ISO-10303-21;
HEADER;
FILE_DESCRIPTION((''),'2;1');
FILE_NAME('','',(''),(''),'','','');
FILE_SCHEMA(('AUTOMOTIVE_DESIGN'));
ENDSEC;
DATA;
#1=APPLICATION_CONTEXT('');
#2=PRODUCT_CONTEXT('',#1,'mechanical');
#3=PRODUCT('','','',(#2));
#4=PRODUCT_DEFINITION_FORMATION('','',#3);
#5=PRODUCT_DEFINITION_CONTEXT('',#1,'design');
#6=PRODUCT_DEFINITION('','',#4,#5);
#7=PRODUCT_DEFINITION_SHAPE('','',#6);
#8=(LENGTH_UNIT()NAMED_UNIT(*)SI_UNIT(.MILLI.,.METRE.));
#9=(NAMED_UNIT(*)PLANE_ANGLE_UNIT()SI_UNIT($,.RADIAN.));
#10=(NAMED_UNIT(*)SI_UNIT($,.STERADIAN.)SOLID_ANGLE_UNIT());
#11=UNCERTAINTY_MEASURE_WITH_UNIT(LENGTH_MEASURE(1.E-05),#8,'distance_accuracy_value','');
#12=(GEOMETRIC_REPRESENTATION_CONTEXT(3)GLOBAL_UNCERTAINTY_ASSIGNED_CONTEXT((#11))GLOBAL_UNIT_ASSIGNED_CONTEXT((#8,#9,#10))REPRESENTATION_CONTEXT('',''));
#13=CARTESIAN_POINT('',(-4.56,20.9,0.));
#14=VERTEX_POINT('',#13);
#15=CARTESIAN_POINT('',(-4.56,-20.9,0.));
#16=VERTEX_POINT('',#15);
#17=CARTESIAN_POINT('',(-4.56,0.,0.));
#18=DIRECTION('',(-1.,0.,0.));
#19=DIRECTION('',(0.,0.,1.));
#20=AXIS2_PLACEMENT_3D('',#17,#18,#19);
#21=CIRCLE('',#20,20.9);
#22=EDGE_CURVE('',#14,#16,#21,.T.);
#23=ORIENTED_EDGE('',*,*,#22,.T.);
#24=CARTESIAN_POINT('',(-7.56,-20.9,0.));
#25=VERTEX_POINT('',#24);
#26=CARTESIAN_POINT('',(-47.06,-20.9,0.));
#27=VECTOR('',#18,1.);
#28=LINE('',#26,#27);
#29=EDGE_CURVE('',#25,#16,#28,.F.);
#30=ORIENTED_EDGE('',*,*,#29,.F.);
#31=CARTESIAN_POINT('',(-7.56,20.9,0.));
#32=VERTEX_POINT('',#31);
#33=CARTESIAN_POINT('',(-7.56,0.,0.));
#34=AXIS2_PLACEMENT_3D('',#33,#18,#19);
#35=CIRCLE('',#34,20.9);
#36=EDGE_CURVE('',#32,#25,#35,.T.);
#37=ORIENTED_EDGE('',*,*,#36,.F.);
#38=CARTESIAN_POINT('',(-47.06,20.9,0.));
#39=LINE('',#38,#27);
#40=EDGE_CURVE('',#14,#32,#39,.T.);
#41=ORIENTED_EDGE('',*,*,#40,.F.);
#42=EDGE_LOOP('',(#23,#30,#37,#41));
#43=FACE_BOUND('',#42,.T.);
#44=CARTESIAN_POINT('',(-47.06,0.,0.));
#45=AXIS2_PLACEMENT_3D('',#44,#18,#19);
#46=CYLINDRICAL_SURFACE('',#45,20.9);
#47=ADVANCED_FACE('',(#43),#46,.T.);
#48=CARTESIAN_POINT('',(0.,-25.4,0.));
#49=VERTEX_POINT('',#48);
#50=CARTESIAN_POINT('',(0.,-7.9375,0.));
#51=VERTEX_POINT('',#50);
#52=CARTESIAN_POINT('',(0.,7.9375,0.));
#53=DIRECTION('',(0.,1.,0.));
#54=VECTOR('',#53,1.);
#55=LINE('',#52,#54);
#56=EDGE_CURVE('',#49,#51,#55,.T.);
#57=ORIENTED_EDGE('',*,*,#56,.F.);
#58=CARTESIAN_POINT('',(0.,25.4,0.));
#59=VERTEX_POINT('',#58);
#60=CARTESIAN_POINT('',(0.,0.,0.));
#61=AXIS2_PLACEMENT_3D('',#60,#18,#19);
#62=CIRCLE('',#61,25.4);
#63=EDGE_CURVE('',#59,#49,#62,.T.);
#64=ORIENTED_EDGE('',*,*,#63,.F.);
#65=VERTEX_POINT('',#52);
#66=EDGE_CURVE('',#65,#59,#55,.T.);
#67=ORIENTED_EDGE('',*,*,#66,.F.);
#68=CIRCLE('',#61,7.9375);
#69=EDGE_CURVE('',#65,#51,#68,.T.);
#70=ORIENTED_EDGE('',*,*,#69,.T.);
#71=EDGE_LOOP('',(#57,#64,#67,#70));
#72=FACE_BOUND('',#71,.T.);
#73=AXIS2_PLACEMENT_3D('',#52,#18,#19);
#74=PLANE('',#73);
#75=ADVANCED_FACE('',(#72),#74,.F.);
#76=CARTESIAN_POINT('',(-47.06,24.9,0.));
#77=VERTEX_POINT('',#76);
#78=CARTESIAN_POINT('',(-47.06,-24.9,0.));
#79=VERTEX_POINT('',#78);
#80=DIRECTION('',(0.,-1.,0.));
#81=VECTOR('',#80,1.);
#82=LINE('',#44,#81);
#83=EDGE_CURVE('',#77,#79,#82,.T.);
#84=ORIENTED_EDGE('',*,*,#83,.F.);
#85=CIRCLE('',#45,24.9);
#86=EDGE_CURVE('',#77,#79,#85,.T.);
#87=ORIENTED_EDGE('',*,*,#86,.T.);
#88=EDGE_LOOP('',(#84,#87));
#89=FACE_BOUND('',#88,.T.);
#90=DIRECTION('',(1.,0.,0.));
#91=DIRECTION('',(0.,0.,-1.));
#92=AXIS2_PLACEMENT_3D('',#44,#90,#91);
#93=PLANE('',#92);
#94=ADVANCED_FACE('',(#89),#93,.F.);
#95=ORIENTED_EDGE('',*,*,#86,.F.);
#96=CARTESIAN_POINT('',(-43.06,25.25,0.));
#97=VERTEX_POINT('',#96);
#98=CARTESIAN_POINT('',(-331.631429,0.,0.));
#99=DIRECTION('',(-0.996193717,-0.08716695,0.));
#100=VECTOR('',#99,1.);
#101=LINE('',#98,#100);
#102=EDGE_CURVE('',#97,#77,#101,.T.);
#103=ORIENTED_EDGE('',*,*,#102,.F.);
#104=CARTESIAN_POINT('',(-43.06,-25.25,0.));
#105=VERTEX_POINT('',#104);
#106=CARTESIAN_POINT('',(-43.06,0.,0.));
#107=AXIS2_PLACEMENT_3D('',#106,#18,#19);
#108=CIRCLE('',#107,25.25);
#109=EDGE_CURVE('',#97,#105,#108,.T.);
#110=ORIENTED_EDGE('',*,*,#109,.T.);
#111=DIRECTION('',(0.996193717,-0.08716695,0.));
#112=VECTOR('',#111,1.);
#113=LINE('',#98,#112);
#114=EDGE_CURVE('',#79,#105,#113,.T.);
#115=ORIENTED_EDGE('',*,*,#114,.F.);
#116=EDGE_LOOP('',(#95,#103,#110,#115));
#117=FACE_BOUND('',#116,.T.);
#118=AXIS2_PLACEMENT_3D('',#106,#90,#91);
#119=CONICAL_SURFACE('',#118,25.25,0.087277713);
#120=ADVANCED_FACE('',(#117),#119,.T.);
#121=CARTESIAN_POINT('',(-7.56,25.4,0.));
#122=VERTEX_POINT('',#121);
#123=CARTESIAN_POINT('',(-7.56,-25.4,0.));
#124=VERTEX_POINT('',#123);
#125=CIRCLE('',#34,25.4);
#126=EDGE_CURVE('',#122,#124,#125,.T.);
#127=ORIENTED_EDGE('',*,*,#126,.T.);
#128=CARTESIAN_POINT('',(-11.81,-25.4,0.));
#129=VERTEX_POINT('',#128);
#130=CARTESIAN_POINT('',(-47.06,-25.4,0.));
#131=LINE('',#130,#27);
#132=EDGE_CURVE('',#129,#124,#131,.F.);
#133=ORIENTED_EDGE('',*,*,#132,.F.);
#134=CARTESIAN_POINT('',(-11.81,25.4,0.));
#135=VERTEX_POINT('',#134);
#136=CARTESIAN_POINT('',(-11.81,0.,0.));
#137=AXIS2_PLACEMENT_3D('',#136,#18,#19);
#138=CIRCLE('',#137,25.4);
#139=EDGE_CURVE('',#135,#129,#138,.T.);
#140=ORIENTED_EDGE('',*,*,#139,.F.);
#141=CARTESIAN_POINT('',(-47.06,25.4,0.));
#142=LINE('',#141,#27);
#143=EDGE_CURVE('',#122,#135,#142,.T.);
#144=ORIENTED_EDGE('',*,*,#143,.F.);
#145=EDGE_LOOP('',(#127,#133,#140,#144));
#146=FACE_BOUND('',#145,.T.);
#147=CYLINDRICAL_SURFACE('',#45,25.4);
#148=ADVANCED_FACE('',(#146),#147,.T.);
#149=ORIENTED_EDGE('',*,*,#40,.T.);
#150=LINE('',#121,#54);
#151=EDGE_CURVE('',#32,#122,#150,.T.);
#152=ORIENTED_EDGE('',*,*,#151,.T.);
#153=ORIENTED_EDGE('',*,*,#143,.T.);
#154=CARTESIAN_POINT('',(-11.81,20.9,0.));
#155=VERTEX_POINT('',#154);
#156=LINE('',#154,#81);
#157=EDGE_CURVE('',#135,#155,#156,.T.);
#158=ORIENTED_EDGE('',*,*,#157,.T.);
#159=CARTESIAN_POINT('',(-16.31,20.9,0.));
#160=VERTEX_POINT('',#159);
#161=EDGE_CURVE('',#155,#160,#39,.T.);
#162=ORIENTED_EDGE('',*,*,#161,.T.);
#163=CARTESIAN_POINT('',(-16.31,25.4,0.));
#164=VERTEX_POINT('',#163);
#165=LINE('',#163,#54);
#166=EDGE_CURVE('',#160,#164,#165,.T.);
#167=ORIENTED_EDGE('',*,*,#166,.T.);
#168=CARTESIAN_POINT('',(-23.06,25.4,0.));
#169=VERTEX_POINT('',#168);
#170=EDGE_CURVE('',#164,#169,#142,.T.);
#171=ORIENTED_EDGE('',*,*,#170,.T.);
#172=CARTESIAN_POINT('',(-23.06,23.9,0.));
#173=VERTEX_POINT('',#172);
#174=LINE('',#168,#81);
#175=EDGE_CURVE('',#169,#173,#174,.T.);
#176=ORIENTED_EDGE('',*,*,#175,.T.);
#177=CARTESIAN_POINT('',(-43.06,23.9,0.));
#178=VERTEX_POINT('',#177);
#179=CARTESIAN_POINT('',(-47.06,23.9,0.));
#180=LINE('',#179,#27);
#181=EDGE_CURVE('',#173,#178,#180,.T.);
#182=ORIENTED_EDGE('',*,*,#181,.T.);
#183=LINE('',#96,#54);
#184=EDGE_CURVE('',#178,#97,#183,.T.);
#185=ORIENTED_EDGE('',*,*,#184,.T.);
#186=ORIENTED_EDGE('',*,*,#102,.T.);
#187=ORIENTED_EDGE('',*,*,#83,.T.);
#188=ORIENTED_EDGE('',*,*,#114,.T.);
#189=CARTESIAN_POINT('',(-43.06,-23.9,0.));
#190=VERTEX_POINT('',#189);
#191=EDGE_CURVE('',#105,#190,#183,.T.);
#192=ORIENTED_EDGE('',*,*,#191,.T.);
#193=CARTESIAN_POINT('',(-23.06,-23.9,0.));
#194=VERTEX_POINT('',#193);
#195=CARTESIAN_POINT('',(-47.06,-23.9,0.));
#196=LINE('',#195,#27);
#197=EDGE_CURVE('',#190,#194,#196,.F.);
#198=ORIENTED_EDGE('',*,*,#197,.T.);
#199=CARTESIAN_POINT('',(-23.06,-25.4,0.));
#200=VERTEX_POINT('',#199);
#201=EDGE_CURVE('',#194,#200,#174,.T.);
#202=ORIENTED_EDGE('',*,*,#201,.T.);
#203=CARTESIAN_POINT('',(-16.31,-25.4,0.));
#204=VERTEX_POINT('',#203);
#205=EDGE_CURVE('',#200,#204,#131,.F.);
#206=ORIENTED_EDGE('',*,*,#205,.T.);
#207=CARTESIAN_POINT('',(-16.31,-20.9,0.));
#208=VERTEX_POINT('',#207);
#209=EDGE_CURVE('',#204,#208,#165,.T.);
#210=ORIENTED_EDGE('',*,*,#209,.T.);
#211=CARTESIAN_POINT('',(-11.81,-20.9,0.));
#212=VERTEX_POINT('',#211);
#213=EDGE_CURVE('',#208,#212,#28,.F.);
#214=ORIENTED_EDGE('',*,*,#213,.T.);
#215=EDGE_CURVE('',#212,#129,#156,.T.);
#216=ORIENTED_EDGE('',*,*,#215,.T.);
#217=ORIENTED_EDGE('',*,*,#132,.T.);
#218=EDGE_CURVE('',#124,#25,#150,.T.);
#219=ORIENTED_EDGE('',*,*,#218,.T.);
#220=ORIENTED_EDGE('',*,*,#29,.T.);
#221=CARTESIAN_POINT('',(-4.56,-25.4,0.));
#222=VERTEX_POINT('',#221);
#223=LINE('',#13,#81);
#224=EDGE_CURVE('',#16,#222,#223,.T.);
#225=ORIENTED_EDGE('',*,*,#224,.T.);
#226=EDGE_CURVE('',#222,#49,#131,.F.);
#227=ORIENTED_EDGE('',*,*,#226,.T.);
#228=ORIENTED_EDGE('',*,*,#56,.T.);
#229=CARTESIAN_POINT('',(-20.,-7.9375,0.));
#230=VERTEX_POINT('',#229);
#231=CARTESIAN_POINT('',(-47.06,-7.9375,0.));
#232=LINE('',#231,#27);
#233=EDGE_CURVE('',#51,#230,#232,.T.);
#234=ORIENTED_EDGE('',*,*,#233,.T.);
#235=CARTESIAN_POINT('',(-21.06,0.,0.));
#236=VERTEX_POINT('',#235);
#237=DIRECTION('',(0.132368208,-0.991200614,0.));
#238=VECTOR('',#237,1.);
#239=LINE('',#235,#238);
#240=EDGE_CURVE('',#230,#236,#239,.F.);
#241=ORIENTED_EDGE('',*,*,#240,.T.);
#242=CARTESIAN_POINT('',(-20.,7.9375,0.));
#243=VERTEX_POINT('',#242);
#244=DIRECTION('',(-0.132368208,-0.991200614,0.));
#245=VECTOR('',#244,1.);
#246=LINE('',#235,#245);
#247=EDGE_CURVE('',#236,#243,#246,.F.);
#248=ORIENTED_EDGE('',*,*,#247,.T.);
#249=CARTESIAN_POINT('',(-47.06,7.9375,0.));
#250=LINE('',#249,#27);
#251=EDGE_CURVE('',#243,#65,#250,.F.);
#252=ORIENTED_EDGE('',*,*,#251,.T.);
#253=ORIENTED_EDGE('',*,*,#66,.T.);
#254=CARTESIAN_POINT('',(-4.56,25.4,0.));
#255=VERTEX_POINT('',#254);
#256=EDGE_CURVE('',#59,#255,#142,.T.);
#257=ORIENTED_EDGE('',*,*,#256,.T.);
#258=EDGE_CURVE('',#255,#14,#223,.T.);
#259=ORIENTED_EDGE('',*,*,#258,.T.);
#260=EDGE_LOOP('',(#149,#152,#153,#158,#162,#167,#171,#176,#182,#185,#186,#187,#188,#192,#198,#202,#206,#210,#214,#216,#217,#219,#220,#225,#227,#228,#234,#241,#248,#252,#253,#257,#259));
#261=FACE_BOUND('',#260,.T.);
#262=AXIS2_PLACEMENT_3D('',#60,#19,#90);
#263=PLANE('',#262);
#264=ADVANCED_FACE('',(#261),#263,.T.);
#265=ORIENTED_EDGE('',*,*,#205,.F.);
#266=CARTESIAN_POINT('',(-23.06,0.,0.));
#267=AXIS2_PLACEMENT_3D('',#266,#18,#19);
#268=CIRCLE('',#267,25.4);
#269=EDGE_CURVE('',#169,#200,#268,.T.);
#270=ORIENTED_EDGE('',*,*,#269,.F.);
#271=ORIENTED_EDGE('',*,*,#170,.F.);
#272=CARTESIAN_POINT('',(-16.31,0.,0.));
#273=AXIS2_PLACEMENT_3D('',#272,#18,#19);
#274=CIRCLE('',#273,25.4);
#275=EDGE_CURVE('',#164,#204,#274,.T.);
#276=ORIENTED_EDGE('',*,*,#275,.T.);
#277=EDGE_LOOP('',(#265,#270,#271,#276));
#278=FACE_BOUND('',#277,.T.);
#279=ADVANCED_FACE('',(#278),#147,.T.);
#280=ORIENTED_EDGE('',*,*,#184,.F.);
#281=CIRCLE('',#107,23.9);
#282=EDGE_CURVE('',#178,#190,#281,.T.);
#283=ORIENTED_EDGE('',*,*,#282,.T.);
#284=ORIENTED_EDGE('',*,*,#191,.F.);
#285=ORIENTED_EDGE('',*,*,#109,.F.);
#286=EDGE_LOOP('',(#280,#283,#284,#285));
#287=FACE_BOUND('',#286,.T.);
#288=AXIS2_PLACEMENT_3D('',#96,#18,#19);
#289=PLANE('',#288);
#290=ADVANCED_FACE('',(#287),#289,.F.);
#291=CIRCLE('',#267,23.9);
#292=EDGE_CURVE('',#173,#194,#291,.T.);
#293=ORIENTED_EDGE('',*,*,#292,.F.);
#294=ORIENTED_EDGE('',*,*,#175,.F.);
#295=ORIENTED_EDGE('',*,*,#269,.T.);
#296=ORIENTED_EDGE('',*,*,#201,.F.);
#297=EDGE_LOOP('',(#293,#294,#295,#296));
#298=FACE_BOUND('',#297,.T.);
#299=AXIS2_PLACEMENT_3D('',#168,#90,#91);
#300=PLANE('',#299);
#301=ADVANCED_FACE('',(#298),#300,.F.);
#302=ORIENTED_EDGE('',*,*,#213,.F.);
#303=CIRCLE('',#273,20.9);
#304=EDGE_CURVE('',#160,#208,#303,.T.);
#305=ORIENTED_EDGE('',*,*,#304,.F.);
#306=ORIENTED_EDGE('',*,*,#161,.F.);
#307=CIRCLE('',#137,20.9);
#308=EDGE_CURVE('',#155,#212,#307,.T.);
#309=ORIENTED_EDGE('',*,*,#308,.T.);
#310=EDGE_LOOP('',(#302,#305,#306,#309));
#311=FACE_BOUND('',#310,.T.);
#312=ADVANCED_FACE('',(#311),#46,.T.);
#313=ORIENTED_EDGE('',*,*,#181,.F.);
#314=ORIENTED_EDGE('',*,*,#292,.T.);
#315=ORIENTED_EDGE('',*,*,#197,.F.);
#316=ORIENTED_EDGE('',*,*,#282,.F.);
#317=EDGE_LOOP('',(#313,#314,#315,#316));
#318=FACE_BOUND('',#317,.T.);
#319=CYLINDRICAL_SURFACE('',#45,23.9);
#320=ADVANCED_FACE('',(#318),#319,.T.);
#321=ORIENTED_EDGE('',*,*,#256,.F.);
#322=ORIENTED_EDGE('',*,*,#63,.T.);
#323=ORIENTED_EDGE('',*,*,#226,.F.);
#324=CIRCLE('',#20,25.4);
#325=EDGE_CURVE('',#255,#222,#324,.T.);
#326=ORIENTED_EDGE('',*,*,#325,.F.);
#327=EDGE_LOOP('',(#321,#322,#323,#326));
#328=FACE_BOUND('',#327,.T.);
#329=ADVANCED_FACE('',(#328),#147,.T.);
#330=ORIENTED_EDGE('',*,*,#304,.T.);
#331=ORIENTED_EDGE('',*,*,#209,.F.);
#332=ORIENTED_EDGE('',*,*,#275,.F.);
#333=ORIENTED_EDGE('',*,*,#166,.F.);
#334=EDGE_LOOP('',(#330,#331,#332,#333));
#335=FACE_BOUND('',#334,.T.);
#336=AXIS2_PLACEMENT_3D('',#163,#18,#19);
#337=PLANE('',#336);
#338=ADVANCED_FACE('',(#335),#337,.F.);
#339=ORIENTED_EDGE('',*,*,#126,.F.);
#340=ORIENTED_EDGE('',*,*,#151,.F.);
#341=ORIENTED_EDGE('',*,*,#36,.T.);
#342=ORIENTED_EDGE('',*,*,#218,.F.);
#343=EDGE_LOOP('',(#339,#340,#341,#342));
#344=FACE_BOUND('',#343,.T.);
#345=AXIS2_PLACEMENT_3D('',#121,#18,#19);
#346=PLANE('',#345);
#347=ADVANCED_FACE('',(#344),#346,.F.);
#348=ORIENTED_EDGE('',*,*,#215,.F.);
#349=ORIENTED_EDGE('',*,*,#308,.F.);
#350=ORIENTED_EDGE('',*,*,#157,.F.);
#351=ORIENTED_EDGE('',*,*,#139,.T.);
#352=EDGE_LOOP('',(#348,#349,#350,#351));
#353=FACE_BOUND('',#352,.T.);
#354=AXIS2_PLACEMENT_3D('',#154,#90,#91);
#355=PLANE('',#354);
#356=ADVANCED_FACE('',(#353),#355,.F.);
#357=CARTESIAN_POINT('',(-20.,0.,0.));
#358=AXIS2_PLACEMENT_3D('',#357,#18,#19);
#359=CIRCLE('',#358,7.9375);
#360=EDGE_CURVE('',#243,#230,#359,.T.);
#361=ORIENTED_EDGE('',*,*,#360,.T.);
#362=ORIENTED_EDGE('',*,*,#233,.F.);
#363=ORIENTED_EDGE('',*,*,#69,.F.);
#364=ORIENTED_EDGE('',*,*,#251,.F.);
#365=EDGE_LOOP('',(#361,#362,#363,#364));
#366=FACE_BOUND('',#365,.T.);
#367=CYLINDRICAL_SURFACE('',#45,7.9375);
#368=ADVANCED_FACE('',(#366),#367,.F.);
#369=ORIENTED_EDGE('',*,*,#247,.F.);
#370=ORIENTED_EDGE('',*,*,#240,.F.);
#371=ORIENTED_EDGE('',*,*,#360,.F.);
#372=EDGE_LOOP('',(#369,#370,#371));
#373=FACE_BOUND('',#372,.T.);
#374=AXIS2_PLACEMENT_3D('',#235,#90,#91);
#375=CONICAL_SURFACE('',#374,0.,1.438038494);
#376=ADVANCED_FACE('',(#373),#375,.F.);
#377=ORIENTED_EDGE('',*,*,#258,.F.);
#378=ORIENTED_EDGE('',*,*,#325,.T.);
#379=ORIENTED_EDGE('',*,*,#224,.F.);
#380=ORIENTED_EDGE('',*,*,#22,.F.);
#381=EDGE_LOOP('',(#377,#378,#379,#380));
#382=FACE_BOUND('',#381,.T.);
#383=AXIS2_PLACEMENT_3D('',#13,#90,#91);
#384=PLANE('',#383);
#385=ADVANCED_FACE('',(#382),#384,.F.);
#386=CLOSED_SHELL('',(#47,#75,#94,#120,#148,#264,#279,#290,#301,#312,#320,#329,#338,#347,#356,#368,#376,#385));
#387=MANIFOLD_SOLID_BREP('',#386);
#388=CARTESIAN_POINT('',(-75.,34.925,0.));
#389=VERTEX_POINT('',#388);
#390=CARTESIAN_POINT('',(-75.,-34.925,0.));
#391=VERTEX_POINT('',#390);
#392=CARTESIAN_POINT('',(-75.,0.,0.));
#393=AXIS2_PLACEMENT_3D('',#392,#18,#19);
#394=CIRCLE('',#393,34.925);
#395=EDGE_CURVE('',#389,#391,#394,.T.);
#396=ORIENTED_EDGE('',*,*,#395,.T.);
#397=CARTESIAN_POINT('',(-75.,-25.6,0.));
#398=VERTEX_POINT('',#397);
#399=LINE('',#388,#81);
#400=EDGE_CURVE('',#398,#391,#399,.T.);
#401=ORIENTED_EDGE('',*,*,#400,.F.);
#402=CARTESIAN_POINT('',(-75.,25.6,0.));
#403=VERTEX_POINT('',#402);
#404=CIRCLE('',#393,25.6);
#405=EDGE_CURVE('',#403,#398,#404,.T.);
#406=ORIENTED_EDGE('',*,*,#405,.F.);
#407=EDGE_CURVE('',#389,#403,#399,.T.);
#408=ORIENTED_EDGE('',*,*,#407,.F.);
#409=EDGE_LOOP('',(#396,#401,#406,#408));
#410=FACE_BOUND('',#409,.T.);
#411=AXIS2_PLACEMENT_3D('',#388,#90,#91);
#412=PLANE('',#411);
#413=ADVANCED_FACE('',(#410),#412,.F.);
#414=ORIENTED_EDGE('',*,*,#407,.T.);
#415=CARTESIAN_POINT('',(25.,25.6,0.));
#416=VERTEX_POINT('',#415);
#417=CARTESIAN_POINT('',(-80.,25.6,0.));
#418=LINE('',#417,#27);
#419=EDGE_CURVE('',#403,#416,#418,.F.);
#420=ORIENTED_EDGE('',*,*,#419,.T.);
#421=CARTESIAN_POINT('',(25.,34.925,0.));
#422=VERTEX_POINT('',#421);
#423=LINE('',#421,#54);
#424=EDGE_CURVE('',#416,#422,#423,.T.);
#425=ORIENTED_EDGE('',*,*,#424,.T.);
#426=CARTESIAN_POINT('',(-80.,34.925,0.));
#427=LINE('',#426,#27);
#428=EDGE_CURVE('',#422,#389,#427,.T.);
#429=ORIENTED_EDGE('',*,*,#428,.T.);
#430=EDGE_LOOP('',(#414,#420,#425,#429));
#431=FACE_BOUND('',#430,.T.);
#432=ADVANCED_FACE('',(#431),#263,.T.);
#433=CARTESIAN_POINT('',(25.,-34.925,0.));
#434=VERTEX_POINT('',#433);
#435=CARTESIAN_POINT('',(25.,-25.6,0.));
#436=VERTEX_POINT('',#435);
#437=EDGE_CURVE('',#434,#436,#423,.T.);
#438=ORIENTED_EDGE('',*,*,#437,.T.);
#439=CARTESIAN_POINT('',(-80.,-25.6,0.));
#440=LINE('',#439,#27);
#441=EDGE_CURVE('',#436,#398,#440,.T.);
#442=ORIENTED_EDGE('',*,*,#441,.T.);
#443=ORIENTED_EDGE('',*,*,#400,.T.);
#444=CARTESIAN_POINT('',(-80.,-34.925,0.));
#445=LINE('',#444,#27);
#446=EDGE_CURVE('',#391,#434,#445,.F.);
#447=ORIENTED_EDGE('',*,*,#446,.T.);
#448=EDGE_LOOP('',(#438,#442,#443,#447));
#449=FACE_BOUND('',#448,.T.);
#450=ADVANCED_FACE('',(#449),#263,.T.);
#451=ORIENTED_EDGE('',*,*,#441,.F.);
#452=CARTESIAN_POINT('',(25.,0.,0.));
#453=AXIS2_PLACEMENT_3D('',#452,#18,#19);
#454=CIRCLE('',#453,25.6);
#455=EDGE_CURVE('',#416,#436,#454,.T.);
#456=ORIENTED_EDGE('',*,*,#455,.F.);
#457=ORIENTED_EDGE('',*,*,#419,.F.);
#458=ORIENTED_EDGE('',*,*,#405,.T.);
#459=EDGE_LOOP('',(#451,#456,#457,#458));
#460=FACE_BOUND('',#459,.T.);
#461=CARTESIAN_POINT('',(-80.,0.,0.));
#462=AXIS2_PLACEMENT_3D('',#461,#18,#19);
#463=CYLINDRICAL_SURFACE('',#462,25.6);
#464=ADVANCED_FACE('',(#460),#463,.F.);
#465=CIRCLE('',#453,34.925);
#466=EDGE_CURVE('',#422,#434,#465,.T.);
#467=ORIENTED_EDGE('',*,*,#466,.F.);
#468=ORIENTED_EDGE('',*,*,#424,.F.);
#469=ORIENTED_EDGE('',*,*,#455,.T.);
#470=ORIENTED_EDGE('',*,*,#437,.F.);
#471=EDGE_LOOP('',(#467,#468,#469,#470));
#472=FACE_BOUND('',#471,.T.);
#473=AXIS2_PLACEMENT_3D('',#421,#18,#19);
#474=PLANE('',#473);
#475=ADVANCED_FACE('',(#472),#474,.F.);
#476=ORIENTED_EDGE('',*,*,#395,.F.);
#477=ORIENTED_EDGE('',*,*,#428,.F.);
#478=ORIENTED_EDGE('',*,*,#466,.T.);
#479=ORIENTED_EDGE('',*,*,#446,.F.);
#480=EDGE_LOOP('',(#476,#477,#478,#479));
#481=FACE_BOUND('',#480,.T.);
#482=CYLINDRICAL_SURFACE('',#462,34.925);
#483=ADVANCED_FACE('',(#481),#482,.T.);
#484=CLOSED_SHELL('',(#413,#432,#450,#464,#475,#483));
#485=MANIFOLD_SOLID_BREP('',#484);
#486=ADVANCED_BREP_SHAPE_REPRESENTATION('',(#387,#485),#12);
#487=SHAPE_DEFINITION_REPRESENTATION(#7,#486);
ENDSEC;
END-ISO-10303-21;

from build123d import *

# Parameters (mm, degrees)
SKETCH3_W          = 100
SKETCH3_H          = 9.325
SKETCH4_W          = 119
SKETCH4_H          = 90
CUT_EXTRUDE1_DEPTH = 90.802623848
SKETCH5_W          = 115
SKETCH5_H          = 80
CUT_EXTRUDE2_DEPTH = 90.802623848


with BuildPart() as part:
    # Sketch1 → Revolve1 (revolve)
    with BuildSketch(Plane.XY, mode=Mode.PRIVATE) as revolve1_sk:
        Polygon((-43.06, 25.25), (-47.06, 24.9), (-47.06, 0), (-21.06, 0), (-20, 7.9375), (0, 7.9375), (0, 25.4), (-4.56, 25.4), (-4.56, 20.9), (-7.56, 20.9), (-7.56, 25.4), (-11.81, 25.4), (-11.81, 20.9), (-16.31, 20.9), (-16.31, 25.4), (-23.06, 25.4), (-23.06, 23.9), (-43.06, 23.9), align=None)
    revolve(revolve1_sk.sketch.rotate(Axis((-47.06, 0, 0), (1, 0, 0)), 90), axis=Axis((-47.06, 0, 0), (1, 0, 0)))

    # Sketch4 → Cut-Extrude1 (cut, through all)
    with BuildSketch(Plane.XY):
        with Locations((-24.5, 0)):
            Rectangle(SKETCH4_W, SKETCH4_H)
    extrude(amount=CUT_EXTRUDE1_DEPTH, mode=Mode.SUBTRACT)


with BuildPart() as body_2:
    # Sketch3 → Revolve2 (revolve)
    with BuildSketch(Plane.XY, mode=Mode.PRIVATE) as revolve2_sk:
        with Locations((-25, 30.2625)):
            Rectangle(SKETCH3_W, SKETCH3_H)
    revolve(revolve2_sk.sketch.rotate(Axis((-80, 0, 0), (1, 0, 0)), 90), axis=Axis((-80, 0, 0), (1, 0, 0)))

    # Sketch5 → Cut-Extrude2 (cut, through all)
    with BuildSketch(Plane.XY):
        with Locations((-27.5, 0)):
            Rectangle(SKETCH5_W, SKETCH5_H)
    extrude(amount=CUT_EXTRUDE2_DEPTH, mode=Mode.SUBTRACT)


solid = Compound([part.part, body_2.part])
